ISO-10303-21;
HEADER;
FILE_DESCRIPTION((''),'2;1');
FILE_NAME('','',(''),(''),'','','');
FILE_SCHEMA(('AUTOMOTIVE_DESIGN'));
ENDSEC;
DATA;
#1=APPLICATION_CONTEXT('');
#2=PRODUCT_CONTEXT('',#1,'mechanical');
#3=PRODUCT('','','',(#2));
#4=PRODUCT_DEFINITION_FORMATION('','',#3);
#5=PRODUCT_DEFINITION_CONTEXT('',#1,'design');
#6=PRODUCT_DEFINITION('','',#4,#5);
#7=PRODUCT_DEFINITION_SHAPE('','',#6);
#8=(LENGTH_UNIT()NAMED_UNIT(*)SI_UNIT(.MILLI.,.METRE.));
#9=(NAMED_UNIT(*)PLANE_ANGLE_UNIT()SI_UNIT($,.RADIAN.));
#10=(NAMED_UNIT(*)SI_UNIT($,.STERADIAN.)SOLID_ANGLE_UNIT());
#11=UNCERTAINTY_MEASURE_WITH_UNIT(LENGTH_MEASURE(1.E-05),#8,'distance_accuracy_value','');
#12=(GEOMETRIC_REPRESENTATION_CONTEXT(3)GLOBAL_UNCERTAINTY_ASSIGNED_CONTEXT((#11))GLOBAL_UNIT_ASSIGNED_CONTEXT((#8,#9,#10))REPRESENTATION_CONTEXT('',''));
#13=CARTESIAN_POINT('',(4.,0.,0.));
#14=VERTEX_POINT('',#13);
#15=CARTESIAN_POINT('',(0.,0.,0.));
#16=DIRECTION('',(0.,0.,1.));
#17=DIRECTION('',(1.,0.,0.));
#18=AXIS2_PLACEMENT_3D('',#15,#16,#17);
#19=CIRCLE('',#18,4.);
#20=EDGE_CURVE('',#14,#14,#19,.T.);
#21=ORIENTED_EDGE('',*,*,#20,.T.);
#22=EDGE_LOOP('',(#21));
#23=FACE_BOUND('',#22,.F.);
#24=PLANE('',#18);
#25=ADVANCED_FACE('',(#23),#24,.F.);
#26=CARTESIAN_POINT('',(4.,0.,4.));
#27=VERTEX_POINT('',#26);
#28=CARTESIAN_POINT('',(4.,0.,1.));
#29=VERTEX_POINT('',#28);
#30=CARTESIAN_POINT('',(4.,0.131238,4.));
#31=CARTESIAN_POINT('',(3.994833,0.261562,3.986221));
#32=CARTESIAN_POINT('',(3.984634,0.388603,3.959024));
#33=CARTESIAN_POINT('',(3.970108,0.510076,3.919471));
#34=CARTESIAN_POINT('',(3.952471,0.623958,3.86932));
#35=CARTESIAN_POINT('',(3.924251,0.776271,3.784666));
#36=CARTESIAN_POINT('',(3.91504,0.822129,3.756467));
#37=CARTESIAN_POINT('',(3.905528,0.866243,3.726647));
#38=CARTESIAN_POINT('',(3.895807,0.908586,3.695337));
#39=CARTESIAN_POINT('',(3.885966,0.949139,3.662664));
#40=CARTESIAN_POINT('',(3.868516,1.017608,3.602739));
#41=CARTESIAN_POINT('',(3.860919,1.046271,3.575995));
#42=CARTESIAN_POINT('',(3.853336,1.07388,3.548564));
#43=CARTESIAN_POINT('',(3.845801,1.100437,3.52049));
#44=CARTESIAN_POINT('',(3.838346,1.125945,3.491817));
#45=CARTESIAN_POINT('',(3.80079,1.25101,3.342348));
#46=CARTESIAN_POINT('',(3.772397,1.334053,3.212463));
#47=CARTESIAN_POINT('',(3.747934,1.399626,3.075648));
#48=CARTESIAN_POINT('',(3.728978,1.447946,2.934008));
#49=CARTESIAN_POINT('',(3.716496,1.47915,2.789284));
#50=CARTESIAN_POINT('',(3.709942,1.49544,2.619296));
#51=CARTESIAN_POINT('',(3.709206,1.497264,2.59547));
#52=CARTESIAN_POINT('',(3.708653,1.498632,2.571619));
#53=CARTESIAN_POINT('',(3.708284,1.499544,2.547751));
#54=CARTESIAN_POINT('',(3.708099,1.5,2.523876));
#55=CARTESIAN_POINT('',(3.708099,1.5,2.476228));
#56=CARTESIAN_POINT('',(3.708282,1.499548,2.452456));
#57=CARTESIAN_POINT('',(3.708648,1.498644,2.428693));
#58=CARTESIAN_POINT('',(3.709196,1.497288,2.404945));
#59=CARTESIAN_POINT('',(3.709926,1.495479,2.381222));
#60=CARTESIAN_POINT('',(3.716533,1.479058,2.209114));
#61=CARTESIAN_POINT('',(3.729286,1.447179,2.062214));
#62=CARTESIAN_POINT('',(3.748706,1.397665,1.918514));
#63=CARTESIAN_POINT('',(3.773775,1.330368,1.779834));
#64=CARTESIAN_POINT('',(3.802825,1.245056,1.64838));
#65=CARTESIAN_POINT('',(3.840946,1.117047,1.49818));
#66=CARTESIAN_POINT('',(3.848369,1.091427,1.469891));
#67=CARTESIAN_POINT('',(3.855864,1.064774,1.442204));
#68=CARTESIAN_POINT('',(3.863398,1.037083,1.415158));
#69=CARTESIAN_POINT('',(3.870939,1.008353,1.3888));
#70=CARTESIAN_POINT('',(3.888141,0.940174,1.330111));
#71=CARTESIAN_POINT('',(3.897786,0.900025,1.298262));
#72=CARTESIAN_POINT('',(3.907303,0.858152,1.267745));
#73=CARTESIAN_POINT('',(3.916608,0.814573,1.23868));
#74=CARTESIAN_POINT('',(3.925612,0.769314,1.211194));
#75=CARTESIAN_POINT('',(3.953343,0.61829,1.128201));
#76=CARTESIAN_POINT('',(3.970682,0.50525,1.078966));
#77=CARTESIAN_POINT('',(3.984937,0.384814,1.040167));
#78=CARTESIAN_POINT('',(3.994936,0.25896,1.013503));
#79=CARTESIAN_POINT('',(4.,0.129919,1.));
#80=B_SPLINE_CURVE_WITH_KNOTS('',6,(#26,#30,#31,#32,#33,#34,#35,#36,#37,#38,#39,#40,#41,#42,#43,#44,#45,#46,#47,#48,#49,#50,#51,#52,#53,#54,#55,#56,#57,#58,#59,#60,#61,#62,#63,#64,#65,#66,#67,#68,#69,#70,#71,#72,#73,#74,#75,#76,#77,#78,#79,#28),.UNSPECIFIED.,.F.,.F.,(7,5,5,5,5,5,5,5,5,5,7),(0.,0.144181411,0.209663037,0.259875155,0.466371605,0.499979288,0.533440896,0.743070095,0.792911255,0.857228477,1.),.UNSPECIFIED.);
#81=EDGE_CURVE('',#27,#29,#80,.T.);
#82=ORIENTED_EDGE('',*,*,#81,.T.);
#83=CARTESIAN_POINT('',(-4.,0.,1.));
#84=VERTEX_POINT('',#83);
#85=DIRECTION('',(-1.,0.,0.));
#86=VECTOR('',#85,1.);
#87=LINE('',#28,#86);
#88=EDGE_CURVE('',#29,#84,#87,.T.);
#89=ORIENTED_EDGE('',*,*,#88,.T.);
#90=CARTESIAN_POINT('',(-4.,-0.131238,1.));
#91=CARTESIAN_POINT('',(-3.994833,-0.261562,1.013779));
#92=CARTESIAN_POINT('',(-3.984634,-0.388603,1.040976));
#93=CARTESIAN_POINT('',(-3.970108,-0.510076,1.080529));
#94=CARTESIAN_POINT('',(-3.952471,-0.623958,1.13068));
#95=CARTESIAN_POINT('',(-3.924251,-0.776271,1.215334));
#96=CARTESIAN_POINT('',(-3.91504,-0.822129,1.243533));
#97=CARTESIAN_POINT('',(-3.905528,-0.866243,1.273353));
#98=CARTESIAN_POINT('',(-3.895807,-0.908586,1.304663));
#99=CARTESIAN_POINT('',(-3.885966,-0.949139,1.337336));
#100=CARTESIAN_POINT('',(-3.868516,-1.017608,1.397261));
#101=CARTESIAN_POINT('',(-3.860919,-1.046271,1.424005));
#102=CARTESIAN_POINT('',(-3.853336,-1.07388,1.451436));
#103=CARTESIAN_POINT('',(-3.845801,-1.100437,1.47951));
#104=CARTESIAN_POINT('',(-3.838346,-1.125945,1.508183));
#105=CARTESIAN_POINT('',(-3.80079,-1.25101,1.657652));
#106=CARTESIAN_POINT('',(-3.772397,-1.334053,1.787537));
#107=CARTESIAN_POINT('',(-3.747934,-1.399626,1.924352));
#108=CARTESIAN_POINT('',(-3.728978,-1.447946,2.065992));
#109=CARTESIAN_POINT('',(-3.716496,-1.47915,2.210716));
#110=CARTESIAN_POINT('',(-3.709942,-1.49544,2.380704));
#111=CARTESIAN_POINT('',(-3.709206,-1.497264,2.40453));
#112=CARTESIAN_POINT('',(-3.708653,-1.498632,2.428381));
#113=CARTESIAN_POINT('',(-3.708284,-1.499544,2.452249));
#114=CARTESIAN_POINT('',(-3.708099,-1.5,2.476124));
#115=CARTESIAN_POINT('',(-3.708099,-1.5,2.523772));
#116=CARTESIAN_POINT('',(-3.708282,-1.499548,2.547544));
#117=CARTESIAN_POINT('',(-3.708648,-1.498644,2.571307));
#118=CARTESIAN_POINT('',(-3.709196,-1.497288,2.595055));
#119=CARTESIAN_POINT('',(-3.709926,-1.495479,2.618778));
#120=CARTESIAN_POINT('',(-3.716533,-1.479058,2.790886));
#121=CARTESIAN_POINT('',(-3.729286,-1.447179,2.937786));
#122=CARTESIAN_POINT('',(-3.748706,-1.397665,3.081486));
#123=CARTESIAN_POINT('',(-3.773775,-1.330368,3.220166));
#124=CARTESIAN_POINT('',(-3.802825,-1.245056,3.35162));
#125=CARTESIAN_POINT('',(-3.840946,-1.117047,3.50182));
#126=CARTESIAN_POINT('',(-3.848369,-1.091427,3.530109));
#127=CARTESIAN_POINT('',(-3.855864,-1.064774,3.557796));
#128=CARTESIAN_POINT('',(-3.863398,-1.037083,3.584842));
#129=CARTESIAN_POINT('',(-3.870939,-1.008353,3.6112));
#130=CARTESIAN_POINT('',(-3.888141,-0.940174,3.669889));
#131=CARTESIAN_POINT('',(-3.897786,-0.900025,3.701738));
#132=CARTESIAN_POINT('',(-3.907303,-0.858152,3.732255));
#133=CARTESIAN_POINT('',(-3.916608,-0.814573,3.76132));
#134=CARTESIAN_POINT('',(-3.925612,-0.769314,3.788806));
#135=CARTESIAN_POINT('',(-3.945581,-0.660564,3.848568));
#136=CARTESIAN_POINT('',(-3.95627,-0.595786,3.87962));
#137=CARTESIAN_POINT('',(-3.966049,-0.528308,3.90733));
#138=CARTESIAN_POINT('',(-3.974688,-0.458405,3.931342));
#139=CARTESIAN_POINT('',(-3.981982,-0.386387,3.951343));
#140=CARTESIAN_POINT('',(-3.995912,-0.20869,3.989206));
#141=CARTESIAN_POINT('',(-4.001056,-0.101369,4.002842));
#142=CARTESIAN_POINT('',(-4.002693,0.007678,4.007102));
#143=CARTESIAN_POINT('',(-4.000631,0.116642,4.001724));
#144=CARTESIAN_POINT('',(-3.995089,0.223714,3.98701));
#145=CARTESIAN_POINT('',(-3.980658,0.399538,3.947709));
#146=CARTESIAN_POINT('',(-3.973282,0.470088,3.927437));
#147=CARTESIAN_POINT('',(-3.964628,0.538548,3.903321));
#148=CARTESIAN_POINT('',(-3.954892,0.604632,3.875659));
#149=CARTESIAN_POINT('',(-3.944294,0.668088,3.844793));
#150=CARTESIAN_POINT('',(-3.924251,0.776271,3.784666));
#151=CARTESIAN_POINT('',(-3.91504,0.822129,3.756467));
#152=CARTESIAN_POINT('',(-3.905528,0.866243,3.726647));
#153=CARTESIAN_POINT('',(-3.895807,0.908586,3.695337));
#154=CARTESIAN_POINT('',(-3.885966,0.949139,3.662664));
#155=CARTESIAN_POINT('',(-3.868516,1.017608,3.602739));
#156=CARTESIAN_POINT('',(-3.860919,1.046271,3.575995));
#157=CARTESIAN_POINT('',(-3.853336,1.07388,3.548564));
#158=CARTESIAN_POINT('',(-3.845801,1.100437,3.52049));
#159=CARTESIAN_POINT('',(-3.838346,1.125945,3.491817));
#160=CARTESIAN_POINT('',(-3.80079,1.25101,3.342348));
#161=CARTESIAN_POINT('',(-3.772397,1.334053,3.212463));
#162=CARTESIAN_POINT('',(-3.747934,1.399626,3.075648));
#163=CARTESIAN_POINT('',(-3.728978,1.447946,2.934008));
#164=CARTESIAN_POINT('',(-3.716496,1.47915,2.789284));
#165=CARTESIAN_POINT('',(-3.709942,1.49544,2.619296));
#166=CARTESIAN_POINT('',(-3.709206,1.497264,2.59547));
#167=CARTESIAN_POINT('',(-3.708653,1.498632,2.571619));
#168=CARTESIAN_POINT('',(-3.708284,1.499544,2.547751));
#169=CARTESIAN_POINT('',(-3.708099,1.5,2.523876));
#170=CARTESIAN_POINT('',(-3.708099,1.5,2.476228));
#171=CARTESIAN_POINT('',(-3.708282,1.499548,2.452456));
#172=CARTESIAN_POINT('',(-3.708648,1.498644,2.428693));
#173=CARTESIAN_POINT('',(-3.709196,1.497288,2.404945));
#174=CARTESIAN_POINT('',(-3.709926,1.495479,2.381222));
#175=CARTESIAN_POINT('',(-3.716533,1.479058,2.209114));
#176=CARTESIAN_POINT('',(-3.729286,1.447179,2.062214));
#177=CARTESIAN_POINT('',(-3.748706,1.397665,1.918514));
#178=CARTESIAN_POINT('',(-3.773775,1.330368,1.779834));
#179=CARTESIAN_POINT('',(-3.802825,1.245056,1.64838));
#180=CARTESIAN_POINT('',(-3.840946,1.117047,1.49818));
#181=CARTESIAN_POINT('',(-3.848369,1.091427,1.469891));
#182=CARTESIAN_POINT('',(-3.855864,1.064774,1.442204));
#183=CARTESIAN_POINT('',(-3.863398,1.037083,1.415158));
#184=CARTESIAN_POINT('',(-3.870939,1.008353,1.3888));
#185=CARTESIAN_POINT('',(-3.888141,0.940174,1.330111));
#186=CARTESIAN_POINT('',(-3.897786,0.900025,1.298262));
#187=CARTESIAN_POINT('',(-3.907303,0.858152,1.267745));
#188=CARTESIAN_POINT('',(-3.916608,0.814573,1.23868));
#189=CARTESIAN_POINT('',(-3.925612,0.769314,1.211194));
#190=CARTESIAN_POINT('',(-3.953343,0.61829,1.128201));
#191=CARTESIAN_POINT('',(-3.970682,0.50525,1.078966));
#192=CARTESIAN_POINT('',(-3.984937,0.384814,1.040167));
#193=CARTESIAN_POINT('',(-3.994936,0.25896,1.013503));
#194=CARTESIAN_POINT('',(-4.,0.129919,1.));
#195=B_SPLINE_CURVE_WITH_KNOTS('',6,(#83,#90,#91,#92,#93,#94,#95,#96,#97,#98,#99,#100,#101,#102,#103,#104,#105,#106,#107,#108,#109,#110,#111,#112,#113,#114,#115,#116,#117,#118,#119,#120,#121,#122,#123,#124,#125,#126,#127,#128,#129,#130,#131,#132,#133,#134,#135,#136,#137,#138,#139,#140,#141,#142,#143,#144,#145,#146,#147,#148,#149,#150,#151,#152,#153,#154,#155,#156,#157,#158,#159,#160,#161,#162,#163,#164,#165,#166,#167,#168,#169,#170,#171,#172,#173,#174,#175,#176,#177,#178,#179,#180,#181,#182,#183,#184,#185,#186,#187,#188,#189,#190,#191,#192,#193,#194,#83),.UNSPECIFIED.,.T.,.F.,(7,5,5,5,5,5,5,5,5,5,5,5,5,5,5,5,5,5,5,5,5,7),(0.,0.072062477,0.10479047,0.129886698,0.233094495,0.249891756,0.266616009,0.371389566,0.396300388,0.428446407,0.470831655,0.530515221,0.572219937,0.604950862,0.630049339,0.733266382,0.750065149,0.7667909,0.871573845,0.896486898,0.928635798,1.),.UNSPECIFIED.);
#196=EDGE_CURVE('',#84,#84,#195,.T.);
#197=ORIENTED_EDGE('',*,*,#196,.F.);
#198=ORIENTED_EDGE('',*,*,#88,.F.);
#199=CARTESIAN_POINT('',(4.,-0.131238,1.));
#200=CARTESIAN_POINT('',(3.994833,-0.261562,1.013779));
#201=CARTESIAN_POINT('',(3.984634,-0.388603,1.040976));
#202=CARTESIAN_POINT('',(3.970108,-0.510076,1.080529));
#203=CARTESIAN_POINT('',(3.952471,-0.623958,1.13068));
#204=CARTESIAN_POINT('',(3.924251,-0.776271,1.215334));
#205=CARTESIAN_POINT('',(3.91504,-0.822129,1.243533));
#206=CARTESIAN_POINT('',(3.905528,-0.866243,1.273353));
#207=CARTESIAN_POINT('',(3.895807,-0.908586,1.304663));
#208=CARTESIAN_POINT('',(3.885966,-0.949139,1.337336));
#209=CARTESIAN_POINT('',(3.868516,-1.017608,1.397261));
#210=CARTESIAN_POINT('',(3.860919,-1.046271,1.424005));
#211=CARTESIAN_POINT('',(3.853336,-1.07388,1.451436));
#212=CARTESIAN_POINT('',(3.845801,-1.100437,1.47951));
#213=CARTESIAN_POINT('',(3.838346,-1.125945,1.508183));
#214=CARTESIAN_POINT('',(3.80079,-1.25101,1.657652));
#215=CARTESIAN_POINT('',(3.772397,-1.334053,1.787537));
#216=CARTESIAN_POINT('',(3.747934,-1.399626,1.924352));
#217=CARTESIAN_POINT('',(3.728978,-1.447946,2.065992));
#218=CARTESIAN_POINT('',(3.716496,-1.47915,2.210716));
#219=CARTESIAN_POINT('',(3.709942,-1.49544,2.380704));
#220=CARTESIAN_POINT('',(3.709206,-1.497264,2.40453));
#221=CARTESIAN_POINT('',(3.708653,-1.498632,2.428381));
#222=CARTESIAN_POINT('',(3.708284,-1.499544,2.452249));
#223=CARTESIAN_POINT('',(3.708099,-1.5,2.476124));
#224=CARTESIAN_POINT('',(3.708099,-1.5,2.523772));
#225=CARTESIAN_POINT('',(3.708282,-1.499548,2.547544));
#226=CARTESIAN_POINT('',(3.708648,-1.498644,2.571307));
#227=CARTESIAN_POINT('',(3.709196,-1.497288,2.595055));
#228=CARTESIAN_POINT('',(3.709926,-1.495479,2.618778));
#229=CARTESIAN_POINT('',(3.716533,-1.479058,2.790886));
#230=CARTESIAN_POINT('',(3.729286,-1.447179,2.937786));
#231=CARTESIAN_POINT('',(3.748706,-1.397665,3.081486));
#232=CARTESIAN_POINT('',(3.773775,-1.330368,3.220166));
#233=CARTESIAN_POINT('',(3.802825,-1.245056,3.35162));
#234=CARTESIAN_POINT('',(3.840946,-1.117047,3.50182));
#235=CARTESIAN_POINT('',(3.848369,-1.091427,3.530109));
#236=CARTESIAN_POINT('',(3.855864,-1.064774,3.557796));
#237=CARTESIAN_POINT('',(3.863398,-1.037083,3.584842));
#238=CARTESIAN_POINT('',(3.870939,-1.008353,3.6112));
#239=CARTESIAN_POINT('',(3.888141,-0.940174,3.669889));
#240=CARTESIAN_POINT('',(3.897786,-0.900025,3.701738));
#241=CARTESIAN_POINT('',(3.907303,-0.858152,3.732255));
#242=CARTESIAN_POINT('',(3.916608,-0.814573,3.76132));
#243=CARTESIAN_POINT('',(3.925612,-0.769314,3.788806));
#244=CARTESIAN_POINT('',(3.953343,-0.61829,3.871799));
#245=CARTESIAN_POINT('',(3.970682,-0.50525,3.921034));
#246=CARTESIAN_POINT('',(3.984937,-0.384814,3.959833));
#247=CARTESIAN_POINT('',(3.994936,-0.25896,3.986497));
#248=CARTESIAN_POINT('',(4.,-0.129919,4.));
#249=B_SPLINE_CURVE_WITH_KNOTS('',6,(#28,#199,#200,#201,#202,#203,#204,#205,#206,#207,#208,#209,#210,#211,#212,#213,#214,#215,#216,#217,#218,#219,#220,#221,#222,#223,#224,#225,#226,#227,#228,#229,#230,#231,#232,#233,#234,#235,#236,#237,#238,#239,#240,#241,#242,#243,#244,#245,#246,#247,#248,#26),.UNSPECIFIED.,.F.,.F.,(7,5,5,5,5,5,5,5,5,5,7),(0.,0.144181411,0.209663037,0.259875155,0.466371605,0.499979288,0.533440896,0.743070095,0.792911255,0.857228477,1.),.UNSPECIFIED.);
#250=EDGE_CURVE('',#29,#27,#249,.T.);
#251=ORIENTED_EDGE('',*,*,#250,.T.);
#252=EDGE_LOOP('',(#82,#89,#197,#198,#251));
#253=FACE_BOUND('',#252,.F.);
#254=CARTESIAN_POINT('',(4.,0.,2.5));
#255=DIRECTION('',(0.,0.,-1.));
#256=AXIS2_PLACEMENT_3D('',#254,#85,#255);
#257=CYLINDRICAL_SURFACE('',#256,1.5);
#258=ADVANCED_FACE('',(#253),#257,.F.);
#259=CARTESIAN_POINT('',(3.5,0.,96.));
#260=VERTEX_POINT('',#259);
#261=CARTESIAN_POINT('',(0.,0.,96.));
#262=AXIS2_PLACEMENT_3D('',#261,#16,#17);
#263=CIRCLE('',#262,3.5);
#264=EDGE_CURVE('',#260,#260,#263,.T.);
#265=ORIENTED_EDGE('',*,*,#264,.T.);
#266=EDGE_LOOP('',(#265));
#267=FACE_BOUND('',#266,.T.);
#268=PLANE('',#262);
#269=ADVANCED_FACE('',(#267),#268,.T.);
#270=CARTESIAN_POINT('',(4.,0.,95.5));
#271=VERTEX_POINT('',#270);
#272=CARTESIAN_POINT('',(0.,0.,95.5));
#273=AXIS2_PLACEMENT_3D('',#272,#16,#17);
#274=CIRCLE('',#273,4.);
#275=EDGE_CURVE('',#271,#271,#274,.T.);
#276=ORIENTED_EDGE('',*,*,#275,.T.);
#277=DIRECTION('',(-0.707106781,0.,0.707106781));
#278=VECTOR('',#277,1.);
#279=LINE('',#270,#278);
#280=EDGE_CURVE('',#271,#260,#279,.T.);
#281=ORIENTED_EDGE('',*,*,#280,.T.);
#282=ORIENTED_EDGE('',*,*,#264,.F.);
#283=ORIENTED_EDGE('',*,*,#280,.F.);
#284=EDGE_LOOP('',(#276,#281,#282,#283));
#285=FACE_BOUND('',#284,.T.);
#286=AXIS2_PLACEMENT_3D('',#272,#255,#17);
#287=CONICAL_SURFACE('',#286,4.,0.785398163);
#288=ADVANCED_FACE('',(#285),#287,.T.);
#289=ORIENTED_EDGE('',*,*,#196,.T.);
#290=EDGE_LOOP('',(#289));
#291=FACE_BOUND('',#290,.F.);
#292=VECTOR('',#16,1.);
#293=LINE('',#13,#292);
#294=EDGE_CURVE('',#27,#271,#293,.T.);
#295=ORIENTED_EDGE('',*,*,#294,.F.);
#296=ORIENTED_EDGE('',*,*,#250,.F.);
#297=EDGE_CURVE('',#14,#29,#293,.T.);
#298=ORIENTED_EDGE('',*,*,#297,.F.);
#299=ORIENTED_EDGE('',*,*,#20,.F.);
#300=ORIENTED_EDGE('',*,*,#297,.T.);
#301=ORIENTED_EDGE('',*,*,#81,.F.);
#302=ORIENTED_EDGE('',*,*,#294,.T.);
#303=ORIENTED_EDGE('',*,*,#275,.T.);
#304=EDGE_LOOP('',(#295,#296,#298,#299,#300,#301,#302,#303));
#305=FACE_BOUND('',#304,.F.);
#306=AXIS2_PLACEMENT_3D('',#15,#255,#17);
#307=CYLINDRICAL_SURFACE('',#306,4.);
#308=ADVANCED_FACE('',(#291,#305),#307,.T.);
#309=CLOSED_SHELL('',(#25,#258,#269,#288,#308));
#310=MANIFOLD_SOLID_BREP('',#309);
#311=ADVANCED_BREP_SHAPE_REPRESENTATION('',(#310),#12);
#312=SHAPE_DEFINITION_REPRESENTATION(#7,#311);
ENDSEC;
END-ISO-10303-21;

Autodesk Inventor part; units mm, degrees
ref_plane "XZ Plane" through (0, 0, 0) normal (0, 1, 0) x (-1, 0, 0)
ref_plane "XY Plane" through (0, 0, 0) normal (0, 0, 1) x (1, 0, 0)
sketch "Sketch1" plane through (0, 0, 0) normal (0, 0, 1) x (1, 0, 0)
  circle A0 centre (0, 0) radius 4
  dimension "d0" = 8
extrude "Extrusion1" add sketch "Sketch1" along normal blind 96
ref_plane "Work Plane1" through (4, 0, 0) normal (1, 0, 0) x (0, 1, 0)
sketch "Sketch2" plane through (4, 0, 0) normal (1, 0, 0) x (0, 1, 0)
  point P0 (0, 0)
  point P1 (0, 2.5)
  dimension "d4" = 2.5
hole "Hole1" at (4, 0, 2.5) direction (-1, 0, 0) diameter 3 end through all
chamfer "Chamfer1" distance 0.5 angle 45 1 edges at (-4, 0, 96)
properties part number "201 part 5" material "Aluminum 6061-AHC"
